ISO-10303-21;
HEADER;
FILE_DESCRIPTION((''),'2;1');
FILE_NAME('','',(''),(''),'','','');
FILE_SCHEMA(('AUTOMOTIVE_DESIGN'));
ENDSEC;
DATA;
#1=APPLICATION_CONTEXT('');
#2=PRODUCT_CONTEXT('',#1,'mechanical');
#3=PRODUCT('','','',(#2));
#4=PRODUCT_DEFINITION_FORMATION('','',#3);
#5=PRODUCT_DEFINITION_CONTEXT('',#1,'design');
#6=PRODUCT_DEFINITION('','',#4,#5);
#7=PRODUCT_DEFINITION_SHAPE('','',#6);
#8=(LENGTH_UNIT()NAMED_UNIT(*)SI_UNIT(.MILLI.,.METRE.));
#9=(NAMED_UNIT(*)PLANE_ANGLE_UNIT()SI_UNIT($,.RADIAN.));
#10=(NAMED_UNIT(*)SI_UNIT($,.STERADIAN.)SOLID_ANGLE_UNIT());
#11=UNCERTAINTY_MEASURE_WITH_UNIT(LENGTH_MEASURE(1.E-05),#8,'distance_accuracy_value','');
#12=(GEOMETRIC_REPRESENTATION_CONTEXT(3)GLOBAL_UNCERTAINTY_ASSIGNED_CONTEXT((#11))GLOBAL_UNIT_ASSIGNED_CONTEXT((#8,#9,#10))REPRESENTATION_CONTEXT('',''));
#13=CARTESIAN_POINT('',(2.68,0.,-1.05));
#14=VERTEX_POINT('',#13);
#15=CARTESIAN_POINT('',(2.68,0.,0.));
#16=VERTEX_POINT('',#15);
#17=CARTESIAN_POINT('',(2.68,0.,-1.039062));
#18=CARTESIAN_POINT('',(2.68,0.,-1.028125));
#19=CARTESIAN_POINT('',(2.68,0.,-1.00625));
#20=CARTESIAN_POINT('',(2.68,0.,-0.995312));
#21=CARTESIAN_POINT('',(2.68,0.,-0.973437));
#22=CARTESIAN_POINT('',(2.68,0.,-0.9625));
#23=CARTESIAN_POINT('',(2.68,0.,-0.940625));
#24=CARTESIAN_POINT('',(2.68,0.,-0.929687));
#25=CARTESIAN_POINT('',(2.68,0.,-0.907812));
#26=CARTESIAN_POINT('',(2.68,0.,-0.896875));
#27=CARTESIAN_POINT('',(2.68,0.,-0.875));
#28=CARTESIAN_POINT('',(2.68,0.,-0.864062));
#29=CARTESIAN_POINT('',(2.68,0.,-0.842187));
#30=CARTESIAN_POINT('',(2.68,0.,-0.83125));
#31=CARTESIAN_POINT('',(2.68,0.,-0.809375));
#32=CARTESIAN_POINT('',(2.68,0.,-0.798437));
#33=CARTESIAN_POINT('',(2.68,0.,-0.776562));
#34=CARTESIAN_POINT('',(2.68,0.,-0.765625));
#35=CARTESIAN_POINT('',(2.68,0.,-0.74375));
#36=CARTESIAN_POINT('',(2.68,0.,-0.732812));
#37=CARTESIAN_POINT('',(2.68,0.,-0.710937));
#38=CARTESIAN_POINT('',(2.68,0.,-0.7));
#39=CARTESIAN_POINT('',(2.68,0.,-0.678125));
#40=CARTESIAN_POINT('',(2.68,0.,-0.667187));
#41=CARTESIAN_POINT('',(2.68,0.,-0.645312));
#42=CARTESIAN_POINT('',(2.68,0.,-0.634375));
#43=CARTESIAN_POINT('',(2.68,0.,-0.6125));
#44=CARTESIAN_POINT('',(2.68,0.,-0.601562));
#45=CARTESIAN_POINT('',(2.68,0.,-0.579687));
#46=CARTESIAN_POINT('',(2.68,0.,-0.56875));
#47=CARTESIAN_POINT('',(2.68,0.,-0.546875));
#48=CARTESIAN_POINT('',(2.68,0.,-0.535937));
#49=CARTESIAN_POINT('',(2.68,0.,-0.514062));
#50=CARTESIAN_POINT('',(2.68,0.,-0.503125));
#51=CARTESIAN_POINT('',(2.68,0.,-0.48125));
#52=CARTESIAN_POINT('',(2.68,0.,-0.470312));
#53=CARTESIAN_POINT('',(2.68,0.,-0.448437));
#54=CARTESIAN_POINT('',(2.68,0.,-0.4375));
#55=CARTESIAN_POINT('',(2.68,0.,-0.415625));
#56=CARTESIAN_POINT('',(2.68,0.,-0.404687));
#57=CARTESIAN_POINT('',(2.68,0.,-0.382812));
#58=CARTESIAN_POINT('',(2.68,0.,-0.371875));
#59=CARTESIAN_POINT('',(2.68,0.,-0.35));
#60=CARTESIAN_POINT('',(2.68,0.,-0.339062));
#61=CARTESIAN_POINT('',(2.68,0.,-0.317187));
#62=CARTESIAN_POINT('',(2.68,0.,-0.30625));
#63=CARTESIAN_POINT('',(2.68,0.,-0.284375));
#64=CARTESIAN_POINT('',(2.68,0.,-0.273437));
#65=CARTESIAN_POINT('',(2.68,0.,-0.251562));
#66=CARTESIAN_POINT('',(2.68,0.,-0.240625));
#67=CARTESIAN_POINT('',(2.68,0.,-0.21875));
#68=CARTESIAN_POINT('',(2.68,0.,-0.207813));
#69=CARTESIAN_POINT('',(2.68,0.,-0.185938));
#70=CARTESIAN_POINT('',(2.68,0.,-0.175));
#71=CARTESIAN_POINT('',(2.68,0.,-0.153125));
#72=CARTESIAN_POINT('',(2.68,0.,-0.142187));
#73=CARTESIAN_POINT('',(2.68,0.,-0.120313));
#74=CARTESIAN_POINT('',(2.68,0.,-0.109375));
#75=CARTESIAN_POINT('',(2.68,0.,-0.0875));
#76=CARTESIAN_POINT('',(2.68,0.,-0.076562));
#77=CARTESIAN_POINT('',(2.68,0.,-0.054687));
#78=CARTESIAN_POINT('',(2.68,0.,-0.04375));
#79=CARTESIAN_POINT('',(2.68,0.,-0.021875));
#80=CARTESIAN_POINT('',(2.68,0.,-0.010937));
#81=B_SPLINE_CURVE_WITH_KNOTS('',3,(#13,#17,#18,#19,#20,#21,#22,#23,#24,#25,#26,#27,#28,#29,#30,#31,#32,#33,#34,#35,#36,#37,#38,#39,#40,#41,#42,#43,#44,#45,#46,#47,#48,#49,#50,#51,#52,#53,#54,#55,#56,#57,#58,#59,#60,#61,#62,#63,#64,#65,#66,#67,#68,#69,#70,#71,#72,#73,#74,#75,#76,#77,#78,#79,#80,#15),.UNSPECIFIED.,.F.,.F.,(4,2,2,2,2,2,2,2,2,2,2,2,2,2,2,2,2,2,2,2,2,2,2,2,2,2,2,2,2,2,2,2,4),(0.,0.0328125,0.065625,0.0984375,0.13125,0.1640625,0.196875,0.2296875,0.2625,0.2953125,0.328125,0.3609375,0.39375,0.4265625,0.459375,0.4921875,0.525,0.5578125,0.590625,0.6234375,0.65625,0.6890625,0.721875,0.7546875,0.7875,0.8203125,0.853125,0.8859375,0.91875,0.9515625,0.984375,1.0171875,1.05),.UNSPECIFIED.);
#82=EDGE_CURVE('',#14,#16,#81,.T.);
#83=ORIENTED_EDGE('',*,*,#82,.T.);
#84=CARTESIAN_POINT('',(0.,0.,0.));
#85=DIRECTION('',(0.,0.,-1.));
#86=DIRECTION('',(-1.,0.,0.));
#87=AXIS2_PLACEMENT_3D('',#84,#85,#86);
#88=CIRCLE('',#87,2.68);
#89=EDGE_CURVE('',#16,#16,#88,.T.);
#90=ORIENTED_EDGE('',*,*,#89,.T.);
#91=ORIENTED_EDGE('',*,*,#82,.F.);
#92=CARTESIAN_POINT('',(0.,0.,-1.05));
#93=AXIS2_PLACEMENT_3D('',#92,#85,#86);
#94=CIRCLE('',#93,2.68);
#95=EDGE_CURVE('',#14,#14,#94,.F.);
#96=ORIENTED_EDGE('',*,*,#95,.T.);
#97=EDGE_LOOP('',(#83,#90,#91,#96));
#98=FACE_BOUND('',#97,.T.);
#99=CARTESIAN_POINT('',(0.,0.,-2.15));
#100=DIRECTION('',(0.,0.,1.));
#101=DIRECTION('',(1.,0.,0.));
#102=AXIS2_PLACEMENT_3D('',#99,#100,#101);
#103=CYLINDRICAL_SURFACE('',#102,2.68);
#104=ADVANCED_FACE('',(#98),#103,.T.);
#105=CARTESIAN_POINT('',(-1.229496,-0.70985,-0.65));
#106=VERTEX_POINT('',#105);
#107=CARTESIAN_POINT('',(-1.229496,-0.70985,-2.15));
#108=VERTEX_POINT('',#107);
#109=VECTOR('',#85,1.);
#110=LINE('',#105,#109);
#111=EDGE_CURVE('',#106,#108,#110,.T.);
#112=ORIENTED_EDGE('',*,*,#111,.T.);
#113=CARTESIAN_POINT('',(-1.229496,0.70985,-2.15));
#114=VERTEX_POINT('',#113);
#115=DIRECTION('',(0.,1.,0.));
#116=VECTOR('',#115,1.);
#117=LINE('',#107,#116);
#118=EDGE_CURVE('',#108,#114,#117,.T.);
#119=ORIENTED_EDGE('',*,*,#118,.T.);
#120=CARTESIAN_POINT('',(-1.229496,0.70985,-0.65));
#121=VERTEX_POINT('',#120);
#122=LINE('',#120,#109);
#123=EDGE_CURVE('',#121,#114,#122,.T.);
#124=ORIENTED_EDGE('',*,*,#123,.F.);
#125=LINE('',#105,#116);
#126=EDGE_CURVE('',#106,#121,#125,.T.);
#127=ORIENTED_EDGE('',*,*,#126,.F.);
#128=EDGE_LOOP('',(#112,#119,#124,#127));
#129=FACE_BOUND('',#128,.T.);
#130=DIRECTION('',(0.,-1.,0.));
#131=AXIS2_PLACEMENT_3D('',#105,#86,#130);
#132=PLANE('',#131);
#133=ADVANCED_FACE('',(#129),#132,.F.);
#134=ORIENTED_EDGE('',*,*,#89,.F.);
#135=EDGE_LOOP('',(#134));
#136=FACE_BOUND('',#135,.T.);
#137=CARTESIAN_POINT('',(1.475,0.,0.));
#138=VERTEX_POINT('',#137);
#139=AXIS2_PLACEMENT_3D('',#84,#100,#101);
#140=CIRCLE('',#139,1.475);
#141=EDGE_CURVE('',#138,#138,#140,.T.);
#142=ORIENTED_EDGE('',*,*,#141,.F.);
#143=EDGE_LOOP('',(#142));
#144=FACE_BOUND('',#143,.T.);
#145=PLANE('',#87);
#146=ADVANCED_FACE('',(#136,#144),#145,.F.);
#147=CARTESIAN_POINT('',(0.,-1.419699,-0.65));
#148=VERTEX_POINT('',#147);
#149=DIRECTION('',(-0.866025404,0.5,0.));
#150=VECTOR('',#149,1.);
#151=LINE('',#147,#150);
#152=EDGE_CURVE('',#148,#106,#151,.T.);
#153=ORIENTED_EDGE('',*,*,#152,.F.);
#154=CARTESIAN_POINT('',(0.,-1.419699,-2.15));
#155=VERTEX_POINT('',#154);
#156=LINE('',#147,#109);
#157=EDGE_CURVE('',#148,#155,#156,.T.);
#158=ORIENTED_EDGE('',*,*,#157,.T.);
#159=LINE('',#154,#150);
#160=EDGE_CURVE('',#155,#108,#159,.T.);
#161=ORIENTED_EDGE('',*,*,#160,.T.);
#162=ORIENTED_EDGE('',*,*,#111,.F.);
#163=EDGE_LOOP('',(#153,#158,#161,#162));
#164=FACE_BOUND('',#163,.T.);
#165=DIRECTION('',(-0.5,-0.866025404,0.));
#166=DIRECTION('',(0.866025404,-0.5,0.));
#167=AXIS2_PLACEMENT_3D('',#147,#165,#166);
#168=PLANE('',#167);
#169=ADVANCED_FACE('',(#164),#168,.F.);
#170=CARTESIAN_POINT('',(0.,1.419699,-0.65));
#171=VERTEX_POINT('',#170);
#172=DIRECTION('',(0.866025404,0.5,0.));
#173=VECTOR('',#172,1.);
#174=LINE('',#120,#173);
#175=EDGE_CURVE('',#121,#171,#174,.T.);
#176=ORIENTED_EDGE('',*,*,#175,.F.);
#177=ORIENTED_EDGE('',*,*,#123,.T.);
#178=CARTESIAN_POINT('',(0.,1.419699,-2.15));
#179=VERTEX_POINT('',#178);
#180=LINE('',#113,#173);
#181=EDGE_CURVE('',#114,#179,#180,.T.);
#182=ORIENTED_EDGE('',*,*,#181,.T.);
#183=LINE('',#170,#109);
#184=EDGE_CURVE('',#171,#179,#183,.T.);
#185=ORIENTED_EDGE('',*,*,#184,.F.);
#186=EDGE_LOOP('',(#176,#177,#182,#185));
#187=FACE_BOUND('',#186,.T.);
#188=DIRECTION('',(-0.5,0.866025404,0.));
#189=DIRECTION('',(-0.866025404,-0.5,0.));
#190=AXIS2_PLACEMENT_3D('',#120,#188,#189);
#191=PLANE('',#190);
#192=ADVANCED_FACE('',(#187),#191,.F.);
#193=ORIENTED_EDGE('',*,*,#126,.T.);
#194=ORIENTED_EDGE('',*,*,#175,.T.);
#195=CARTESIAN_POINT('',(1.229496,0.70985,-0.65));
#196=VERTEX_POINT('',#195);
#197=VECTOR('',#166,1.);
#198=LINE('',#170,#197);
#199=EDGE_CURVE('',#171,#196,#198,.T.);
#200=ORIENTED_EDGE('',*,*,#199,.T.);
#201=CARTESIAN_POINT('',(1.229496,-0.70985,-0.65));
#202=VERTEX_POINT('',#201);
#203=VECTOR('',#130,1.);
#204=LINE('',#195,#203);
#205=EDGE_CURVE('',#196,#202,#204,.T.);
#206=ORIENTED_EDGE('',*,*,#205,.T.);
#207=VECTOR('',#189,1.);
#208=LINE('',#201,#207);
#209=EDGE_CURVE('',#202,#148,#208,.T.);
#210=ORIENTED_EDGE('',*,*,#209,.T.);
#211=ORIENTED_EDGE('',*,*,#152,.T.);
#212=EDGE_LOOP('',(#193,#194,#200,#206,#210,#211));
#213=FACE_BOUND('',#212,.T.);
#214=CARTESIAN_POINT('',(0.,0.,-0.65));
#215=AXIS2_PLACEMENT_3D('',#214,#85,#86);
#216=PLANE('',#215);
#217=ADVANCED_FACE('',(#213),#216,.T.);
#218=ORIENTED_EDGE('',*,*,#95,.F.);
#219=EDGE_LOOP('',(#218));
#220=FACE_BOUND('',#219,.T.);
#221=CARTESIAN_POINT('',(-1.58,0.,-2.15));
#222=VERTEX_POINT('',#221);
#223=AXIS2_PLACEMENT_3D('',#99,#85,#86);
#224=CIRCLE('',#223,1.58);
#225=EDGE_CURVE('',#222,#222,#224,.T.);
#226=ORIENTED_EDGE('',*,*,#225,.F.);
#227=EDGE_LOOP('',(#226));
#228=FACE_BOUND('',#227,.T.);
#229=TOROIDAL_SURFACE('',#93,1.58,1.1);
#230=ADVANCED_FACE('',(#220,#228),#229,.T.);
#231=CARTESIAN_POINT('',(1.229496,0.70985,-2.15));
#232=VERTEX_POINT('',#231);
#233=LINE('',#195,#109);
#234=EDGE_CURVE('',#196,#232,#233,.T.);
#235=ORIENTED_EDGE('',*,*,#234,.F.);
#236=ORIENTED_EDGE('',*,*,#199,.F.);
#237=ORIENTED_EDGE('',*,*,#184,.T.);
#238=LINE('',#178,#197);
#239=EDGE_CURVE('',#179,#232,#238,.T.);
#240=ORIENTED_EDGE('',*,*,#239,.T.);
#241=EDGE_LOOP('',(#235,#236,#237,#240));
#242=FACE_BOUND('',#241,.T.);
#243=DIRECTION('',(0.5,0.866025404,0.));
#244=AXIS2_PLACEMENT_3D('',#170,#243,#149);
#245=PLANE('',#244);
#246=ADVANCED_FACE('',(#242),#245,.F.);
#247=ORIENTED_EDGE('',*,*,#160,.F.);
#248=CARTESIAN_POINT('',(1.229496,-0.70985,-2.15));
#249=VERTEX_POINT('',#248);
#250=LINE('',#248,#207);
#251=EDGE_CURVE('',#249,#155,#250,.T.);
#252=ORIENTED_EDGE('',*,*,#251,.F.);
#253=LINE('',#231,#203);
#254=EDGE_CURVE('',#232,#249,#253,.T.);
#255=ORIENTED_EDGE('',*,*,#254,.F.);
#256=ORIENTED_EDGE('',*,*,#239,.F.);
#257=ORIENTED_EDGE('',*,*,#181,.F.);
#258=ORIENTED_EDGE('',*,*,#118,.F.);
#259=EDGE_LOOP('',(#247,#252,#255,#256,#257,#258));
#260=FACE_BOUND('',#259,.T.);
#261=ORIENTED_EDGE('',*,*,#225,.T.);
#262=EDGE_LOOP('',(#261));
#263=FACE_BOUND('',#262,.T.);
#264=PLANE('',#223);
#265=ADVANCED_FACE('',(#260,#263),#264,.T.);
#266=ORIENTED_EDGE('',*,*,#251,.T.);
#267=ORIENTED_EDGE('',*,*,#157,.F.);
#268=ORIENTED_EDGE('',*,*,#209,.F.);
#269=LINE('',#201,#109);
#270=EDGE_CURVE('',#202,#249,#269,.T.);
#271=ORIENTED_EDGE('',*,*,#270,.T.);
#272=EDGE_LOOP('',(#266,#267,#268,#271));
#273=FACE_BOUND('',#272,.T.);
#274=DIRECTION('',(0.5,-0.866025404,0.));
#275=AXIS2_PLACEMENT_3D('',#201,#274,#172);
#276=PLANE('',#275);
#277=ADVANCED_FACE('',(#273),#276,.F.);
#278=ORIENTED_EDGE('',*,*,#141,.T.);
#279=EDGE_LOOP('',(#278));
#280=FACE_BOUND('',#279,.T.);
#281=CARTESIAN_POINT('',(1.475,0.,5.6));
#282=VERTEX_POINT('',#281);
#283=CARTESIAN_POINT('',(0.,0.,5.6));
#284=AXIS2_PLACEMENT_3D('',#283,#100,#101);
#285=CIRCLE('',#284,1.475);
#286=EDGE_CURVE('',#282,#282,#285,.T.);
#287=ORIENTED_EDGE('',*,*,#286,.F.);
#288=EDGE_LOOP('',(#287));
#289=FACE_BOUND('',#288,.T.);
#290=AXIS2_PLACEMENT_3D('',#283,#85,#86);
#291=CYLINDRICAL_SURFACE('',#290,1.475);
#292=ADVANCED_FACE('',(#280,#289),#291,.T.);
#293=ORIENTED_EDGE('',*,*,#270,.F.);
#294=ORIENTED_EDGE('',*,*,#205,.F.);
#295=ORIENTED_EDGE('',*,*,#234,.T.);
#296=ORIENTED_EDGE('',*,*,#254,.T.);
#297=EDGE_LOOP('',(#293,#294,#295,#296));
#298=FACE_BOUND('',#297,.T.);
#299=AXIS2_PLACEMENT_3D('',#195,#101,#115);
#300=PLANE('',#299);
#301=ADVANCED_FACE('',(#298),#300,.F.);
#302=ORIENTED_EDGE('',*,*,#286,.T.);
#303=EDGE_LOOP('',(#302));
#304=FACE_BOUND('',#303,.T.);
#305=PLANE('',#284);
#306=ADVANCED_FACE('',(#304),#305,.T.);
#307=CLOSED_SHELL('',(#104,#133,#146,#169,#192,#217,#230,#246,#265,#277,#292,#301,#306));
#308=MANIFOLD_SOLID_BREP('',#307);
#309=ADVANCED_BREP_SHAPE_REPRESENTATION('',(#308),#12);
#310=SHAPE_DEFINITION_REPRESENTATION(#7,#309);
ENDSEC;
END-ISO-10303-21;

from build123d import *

# Parameters (mm, degrees)
CROQUIS1_R              = 1.475
SALIENTE_EXTRUIR1_DEPTH = 5.6
CROQUIS2_R              = 2.68
SALIENTE_EXTRUIR2_DEPTH = 2.15
CORTAR_EXTRUIR1_DEPTH   = 1.5
REDONDEO1_R             = 1.1


with BuildPart() as part:
    # Croquis1 → Saliente-Extruir1 (new body)
    with BuildSketch(Plane.XY):
        Circle(CROQUIS1_R)
    extrude(amount=SALIENTE_EXTRUIR1_DEPTH)

    # Croquis2 → Saliente-Extruir2 (add)
    with BuildSketch(Plane(origin=(0, 0, 0), x_dir=(-1, 0, 0), z_dir=(0, 0, -1))):
        with Locations(Location((0, 0, 0), (0, 0, 180))):
            Circle(CROQUIS2_R)
    extrude(amount=SALIENTE_EXTRUIR2_DEPTH)

    # Croquis3 → Cortar-Extruir1 (cut)
    with BuildSketch(Plane(origin=(0, 0, -2.15), x_dir=(-1, 0, 0), z_dir=(0, 0, -1))):
        Polygon((0, -1.419699202), (1.229495574, -0.709849601), (1.229495574, 0.709849601), (0, 1.419699202), (-1.229495574, 0.709849601), (-1.229495574, -0.709849601), align=None)
    extrude(amount=-CORTAR_EXTRUIR1_DEPTH, mode=Mode.SUBTRACT)

    # Redondeo1
    redondeo1_edges = [part.edges().sort_by_distance(p)[0] for p in [
        (-2.68, 0, -2.15),
    ]]
    fillet(redondeo1_edges, radius=REDONDEO1_R)


solid = part.part
